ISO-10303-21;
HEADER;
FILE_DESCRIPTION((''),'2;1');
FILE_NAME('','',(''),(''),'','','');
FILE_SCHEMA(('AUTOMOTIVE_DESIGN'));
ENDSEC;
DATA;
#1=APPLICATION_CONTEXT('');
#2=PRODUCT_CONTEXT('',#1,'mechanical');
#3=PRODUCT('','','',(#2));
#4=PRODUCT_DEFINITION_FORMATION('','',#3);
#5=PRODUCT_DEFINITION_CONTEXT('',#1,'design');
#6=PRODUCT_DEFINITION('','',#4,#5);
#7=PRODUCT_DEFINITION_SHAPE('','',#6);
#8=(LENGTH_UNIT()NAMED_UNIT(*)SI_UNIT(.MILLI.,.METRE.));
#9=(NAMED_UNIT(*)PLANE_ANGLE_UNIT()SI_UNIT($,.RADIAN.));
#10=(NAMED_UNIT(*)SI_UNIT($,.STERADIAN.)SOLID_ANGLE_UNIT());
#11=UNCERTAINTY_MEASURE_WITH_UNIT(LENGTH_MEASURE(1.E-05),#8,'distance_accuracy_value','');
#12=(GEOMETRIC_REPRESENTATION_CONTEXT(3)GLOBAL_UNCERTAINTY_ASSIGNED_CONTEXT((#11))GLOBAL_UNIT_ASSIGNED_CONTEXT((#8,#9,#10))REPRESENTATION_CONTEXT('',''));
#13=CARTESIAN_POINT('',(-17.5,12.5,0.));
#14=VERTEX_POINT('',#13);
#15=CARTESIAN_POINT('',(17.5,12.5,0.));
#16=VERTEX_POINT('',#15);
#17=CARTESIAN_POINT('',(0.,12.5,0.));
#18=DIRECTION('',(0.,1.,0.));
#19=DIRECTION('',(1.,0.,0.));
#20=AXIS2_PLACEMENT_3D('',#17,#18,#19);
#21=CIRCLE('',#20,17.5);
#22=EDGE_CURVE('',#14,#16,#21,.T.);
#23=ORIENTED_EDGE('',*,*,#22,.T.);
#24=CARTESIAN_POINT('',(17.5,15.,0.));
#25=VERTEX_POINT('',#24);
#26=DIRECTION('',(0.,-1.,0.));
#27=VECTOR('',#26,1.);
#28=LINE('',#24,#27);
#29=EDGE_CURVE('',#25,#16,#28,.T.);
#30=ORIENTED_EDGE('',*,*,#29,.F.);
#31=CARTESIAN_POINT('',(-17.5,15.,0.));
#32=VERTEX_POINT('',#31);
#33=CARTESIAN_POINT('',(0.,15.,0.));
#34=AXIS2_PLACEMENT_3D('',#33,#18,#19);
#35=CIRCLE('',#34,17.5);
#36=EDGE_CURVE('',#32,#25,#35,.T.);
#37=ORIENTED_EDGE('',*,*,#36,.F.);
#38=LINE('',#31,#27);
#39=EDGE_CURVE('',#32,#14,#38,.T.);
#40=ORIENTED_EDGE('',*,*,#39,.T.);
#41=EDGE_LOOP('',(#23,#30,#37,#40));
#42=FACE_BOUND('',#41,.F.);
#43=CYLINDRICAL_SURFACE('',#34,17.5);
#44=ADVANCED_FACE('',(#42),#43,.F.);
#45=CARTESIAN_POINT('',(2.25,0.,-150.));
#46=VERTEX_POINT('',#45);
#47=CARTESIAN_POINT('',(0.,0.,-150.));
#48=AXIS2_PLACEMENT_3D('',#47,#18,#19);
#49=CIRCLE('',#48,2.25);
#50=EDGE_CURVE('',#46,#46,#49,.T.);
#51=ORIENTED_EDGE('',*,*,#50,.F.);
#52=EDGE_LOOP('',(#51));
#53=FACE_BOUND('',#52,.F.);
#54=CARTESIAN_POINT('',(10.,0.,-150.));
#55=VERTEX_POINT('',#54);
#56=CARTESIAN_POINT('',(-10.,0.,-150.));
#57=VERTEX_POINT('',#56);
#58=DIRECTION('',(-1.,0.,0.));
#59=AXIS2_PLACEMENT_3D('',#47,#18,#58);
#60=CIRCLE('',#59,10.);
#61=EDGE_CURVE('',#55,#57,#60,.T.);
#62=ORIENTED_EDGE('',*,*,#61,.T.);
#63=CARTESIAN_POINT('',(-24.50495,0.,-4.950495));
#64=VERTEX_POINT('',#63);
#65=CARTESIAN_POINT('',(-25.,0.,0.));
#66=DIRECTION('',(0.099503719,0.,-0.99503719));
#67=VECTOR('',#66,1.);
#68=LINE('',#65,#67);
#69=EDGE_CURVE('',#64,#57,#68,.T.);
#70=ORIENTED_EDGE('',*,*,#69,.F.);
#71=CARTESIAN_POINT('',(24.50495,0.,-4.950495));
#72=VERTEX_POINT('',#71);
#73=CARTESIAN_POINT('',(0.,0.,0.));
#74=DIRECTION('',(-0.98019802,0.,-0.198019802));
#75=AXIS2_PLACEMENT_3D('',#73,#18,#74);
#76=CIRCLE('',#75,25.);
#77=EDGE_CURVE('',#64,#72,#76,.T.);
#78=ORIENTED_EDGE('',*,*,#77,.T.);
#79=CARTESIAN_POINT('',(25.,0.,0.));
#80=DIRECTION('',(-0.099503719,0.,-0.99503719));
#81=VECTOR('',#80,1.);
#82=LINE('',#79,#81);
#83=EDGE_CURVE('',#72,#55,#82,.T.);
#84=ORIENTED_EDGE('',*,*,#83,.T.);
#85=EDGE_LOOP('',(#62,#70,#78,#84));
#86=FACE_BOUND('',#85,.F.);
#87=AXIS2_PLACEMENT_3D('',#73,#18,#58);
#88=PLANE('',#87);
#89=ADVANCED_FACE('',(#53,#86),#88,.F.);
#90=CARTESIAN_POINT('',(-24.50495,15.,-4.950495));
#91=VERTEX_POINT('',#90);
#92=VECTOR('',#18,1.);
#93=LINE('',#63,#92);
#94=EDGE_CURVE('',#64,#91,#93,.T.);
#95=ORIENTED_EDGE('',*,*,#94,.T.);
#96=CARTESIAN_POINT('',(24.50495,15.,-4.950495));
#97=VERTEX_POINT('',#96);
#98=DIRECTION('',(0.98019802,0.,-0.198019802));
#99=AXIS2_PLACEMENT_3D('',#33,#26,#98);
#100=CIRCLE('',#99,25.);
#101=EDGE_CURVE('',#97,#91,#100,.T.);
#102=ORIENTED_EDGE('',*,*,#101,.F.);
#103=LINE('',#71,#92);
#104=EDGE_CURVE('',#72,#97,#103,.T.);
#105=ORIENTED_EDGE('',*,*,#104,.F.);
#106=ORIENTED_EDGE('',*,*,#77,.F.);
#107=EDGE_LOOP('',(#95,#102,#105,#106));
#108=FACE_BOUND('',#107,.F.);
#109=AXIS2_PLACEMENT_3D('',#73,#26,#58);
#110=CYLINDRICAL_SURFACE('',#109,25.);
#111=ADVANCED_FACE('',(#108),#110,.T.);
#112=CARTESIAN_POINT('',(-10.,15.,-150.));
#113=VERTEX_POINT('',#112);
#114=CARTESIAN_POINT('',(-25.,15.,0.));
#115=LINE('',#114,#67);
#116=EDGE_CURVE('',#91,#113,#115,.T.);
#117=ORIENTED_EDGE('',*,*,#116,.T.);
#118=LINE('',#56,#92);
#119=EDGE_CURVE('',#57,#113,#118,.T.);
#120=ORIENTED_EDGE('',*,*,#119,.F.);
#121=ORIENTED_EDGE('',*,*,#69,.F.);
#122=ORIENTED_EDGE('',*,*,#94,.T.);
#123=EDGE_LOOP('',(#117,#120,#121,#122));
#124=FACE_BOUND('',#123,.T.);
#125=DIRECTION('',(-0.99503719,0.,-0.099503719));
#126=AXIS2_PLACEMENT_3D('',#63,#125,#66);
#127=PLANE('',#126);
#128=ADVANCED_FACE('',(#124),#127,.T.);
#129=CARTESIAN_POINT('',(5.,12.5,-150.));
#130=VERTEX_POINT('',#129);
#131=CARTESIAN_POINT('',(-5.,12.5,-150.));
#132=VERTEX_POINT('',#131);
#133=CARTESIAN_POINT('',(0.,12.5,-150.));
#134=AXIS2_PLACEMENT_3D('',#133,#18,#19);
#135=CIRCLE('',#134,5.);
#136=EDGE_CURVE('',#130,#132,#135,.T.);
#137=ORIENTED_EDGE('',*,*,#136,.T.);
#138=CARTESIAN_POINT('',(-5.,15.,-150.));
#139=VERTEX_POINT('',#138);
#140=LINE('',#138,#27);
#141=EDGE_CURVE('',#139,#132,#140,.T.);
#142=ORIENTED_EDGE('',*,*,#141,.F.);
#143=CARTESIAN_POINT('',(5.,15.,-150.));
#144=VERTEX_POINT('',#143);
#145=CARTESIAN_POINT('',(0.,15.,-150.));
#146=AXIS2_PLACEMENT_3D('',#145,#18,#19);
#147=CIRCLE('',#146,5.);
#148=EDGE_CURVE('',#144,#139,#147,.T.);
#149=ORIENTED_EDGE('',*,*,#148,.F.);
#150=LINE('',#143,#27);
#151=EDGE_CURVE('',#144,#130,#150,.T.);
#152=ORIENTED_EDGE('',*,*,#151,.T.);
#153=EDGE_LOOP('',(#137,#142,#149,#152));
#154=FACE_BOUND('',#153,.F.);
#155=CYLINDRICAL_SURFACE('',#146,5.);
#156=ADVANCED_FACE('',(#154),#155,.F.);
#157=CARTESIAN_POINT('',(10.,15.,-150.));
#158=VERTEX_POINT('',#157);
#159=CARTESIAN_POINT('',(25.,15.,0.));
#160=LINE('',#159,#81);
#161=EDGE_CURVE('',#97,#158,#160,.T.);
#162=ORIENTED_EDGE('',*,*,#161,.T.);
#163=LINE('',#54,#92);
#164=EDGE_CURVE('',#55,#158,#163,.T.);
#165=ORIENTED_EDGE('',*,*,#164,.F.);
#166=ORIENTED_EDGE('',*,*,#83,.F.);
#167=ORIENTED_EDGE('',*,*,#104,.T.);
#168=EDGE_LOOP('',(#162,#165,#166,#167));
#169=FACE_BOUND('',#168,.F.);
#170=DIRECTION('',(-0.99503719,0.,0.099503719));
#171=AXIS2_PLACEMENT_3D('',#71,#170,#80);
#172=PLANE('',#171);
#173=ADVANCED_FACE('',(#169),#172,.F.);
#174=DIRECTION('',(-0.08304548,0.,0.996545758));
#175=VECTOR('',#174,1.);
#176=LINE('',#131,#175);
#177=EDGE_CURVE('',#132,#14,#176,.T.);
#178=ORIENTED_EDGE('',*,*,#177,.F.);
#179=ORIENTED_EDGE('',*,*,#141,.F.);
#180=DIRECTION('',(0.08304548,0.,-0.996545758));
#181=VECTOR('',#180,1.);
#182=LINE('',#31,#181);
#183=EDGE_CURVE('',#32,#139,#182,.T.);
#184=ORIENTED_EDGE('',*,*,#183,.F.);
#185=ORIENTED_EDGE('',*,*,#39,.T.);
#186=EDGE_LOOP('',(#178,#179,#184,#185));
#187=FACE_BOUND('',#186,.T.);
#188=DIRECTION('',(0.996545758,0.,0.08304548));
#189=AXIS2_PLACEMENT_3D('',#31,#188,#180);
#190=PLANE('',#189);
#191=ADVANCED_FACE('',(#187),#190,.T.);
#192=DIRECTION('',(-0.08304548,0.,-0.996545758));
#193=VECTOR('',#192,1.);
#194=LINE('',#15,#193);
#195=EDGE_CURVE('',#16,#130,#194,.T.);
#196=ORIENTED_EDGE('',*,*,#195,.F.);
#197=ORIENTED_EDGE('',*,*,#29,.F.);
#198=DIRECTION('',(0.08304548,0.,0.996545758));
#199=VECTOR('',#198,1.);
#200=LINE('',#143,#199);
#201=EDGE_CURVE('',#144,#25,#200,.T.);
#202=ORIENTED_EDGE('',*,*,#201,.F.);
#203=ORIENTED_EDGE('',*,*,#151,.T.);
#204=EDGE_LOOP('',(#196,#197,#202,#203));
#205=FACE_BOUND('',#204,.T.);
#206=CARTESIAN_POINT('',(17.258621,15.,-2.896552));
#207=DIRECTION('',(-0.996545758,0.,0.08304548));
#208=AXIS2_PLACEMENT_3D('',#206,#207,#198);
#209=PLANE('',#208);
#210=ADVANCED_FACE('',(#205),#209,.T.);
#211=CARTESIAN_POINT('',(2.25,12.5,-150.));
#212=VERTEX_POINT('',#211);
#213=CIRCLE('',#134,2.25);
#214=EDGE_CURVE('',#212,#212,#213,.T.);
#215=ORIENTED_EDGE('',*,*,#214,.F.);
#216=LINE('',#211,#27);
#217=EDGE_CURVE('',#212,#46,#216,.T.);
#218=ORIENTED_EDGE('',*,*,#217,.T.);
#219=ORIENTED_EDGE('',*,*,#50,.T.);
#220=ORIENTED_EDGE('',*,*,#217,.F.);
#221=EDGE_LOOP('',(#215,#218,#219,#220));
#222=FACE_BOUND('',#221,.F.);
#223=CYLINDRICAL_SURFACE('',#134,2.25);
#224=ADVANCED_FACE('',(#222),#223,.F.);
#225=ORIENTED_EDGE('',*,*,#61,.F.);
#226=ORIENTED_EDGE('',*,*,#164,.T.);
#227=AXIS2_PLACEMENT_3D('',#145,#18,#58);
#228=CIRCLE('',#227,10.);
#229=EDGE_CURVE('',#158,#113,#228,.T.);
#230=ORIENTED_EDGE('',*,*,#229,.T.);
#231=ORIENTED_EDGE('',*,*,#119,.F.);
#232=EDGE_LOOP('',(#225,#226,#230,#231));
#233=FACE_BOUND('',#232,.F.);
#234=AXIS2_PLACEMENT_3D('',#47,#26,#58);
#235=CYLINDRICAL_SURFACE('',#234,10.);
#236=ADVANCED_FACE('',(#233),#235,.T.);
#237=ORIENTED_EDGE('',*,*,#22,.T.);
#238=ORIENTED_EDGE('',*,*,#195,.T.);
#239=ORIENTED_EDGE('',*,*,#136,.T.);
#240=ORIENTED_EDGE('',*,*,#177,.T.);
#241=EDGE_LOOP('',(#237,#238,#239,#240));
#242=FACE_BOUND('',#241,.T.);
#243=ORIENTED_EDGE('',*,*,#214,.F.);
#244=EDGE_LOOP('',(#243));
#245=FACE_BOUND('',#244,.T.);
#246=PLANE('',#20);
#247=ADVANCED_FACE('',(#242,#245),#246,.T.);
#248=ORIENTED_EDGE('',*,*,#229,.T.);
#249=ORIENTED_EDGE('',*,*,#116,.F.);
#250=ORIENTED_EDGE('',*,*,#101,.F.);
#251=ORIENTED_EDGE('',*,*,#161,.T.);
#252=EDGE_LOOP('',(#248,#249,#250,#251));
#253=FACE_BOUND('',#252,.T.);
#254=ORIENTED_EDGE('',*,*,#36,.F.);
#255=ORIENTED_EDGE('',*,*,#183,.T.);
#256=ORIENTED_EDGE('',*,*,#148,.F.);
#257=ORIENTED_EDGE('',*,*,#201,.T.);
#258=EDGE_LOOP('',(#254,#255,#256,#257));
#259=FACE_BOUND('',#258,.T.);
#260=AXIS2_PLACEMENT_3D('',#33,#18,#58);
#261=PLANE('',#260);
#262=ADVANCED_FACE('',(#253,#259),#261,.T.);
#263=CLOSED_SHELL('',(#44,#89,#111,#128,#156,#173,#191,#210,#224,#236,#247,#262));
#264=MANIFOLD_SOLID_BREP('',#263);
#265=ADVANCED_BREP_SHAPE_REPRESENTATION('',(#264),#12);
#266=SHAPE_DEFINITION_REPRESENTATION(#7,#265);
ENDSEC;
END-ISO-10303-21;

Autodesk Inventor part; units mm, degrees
ref_plane "YZ Plane" through (0, 0, 0) normal (1, 0, 0) x (0, 1, 0)
ref_plane "XZ Plane" through (0, 0, 0) normal (0, 1, 0) x (-1, 0, 0)
ref_plane "XY Plane" through (0, 0, 0) normal (0, 0, 1) x (1, 0, 0)
sketch "Sketch1" plane through (0, 0, 0) normal (0, 1, 0) x (-1, 0, 0)
  circle A0 centre (0, 0) radius 25
  line L0 (0, 0) -> (0, -150)
  circle A1 centre (0, -150) radius 10
  line L1 (0, 0) -> (25, 0)
  line L2 (0, -150) -> (10, -150)
  line L3 (0, -150) -> (-10, -150)
  line L4 (0, 0) -> (-25, 0)
  line L5 (25, 0) -> (10, -150)
  line L6 (-25, 0) -> (-10, -150)
  dimension "d0" = 50
  dimension "d1" = 150
  dimension "d2" = 20
extrude "Extrusion1" add sketch "Sketch1" along normal blind 15
sketch "Sketch2" plane through (0, 15, 0) normal (0, 1, 0) x (1, 0, 0)
  circle A0 centre (0, 0) radius 17.5
  arc A1 (10, 150) -> (-10, 150) centre (0, 150) ccw projected
  circle A2 centre (0, 150) radius 5
  line L0 (0, 0) -> (-17.5, 0)
  line L1 (0, 0) -> (17.5, 0)
  line L2 (0, 150) -> (-5, 150)
  line L3 (0, 150) -> (5, 150)
  line L4 (-17.5, 0) -> (-5, 150)
  line L5 (5, 150) -> (17.5, 0)
  dimension "d5" = 35
  dimension "d6" = 10
extrude "Extrusion2" cut sketch "Sketch2" against normal blind 2.5 contours L0 L1 A0 | L4 A0 L5 L1 L0 | L4 A2 L5 A0 | L2 L3 A2 | A2 L3 L2
sketch "Sketch3" plane through (0, 12.5, 0) normal (0, 1, 0) x (1, 0, 0)
  arc A0 (5, 150) -> (-5, 150) centre (0, 150) ccw projected
  circle A1 centre (0, 150) radius 2.25
  point P0 (0, 0)
  dimension "d9" = 4.5
extrude "Extrusion3" cut sketch "Sketch3" against normal blind 12.5
properties part number "Delta_Arm"
